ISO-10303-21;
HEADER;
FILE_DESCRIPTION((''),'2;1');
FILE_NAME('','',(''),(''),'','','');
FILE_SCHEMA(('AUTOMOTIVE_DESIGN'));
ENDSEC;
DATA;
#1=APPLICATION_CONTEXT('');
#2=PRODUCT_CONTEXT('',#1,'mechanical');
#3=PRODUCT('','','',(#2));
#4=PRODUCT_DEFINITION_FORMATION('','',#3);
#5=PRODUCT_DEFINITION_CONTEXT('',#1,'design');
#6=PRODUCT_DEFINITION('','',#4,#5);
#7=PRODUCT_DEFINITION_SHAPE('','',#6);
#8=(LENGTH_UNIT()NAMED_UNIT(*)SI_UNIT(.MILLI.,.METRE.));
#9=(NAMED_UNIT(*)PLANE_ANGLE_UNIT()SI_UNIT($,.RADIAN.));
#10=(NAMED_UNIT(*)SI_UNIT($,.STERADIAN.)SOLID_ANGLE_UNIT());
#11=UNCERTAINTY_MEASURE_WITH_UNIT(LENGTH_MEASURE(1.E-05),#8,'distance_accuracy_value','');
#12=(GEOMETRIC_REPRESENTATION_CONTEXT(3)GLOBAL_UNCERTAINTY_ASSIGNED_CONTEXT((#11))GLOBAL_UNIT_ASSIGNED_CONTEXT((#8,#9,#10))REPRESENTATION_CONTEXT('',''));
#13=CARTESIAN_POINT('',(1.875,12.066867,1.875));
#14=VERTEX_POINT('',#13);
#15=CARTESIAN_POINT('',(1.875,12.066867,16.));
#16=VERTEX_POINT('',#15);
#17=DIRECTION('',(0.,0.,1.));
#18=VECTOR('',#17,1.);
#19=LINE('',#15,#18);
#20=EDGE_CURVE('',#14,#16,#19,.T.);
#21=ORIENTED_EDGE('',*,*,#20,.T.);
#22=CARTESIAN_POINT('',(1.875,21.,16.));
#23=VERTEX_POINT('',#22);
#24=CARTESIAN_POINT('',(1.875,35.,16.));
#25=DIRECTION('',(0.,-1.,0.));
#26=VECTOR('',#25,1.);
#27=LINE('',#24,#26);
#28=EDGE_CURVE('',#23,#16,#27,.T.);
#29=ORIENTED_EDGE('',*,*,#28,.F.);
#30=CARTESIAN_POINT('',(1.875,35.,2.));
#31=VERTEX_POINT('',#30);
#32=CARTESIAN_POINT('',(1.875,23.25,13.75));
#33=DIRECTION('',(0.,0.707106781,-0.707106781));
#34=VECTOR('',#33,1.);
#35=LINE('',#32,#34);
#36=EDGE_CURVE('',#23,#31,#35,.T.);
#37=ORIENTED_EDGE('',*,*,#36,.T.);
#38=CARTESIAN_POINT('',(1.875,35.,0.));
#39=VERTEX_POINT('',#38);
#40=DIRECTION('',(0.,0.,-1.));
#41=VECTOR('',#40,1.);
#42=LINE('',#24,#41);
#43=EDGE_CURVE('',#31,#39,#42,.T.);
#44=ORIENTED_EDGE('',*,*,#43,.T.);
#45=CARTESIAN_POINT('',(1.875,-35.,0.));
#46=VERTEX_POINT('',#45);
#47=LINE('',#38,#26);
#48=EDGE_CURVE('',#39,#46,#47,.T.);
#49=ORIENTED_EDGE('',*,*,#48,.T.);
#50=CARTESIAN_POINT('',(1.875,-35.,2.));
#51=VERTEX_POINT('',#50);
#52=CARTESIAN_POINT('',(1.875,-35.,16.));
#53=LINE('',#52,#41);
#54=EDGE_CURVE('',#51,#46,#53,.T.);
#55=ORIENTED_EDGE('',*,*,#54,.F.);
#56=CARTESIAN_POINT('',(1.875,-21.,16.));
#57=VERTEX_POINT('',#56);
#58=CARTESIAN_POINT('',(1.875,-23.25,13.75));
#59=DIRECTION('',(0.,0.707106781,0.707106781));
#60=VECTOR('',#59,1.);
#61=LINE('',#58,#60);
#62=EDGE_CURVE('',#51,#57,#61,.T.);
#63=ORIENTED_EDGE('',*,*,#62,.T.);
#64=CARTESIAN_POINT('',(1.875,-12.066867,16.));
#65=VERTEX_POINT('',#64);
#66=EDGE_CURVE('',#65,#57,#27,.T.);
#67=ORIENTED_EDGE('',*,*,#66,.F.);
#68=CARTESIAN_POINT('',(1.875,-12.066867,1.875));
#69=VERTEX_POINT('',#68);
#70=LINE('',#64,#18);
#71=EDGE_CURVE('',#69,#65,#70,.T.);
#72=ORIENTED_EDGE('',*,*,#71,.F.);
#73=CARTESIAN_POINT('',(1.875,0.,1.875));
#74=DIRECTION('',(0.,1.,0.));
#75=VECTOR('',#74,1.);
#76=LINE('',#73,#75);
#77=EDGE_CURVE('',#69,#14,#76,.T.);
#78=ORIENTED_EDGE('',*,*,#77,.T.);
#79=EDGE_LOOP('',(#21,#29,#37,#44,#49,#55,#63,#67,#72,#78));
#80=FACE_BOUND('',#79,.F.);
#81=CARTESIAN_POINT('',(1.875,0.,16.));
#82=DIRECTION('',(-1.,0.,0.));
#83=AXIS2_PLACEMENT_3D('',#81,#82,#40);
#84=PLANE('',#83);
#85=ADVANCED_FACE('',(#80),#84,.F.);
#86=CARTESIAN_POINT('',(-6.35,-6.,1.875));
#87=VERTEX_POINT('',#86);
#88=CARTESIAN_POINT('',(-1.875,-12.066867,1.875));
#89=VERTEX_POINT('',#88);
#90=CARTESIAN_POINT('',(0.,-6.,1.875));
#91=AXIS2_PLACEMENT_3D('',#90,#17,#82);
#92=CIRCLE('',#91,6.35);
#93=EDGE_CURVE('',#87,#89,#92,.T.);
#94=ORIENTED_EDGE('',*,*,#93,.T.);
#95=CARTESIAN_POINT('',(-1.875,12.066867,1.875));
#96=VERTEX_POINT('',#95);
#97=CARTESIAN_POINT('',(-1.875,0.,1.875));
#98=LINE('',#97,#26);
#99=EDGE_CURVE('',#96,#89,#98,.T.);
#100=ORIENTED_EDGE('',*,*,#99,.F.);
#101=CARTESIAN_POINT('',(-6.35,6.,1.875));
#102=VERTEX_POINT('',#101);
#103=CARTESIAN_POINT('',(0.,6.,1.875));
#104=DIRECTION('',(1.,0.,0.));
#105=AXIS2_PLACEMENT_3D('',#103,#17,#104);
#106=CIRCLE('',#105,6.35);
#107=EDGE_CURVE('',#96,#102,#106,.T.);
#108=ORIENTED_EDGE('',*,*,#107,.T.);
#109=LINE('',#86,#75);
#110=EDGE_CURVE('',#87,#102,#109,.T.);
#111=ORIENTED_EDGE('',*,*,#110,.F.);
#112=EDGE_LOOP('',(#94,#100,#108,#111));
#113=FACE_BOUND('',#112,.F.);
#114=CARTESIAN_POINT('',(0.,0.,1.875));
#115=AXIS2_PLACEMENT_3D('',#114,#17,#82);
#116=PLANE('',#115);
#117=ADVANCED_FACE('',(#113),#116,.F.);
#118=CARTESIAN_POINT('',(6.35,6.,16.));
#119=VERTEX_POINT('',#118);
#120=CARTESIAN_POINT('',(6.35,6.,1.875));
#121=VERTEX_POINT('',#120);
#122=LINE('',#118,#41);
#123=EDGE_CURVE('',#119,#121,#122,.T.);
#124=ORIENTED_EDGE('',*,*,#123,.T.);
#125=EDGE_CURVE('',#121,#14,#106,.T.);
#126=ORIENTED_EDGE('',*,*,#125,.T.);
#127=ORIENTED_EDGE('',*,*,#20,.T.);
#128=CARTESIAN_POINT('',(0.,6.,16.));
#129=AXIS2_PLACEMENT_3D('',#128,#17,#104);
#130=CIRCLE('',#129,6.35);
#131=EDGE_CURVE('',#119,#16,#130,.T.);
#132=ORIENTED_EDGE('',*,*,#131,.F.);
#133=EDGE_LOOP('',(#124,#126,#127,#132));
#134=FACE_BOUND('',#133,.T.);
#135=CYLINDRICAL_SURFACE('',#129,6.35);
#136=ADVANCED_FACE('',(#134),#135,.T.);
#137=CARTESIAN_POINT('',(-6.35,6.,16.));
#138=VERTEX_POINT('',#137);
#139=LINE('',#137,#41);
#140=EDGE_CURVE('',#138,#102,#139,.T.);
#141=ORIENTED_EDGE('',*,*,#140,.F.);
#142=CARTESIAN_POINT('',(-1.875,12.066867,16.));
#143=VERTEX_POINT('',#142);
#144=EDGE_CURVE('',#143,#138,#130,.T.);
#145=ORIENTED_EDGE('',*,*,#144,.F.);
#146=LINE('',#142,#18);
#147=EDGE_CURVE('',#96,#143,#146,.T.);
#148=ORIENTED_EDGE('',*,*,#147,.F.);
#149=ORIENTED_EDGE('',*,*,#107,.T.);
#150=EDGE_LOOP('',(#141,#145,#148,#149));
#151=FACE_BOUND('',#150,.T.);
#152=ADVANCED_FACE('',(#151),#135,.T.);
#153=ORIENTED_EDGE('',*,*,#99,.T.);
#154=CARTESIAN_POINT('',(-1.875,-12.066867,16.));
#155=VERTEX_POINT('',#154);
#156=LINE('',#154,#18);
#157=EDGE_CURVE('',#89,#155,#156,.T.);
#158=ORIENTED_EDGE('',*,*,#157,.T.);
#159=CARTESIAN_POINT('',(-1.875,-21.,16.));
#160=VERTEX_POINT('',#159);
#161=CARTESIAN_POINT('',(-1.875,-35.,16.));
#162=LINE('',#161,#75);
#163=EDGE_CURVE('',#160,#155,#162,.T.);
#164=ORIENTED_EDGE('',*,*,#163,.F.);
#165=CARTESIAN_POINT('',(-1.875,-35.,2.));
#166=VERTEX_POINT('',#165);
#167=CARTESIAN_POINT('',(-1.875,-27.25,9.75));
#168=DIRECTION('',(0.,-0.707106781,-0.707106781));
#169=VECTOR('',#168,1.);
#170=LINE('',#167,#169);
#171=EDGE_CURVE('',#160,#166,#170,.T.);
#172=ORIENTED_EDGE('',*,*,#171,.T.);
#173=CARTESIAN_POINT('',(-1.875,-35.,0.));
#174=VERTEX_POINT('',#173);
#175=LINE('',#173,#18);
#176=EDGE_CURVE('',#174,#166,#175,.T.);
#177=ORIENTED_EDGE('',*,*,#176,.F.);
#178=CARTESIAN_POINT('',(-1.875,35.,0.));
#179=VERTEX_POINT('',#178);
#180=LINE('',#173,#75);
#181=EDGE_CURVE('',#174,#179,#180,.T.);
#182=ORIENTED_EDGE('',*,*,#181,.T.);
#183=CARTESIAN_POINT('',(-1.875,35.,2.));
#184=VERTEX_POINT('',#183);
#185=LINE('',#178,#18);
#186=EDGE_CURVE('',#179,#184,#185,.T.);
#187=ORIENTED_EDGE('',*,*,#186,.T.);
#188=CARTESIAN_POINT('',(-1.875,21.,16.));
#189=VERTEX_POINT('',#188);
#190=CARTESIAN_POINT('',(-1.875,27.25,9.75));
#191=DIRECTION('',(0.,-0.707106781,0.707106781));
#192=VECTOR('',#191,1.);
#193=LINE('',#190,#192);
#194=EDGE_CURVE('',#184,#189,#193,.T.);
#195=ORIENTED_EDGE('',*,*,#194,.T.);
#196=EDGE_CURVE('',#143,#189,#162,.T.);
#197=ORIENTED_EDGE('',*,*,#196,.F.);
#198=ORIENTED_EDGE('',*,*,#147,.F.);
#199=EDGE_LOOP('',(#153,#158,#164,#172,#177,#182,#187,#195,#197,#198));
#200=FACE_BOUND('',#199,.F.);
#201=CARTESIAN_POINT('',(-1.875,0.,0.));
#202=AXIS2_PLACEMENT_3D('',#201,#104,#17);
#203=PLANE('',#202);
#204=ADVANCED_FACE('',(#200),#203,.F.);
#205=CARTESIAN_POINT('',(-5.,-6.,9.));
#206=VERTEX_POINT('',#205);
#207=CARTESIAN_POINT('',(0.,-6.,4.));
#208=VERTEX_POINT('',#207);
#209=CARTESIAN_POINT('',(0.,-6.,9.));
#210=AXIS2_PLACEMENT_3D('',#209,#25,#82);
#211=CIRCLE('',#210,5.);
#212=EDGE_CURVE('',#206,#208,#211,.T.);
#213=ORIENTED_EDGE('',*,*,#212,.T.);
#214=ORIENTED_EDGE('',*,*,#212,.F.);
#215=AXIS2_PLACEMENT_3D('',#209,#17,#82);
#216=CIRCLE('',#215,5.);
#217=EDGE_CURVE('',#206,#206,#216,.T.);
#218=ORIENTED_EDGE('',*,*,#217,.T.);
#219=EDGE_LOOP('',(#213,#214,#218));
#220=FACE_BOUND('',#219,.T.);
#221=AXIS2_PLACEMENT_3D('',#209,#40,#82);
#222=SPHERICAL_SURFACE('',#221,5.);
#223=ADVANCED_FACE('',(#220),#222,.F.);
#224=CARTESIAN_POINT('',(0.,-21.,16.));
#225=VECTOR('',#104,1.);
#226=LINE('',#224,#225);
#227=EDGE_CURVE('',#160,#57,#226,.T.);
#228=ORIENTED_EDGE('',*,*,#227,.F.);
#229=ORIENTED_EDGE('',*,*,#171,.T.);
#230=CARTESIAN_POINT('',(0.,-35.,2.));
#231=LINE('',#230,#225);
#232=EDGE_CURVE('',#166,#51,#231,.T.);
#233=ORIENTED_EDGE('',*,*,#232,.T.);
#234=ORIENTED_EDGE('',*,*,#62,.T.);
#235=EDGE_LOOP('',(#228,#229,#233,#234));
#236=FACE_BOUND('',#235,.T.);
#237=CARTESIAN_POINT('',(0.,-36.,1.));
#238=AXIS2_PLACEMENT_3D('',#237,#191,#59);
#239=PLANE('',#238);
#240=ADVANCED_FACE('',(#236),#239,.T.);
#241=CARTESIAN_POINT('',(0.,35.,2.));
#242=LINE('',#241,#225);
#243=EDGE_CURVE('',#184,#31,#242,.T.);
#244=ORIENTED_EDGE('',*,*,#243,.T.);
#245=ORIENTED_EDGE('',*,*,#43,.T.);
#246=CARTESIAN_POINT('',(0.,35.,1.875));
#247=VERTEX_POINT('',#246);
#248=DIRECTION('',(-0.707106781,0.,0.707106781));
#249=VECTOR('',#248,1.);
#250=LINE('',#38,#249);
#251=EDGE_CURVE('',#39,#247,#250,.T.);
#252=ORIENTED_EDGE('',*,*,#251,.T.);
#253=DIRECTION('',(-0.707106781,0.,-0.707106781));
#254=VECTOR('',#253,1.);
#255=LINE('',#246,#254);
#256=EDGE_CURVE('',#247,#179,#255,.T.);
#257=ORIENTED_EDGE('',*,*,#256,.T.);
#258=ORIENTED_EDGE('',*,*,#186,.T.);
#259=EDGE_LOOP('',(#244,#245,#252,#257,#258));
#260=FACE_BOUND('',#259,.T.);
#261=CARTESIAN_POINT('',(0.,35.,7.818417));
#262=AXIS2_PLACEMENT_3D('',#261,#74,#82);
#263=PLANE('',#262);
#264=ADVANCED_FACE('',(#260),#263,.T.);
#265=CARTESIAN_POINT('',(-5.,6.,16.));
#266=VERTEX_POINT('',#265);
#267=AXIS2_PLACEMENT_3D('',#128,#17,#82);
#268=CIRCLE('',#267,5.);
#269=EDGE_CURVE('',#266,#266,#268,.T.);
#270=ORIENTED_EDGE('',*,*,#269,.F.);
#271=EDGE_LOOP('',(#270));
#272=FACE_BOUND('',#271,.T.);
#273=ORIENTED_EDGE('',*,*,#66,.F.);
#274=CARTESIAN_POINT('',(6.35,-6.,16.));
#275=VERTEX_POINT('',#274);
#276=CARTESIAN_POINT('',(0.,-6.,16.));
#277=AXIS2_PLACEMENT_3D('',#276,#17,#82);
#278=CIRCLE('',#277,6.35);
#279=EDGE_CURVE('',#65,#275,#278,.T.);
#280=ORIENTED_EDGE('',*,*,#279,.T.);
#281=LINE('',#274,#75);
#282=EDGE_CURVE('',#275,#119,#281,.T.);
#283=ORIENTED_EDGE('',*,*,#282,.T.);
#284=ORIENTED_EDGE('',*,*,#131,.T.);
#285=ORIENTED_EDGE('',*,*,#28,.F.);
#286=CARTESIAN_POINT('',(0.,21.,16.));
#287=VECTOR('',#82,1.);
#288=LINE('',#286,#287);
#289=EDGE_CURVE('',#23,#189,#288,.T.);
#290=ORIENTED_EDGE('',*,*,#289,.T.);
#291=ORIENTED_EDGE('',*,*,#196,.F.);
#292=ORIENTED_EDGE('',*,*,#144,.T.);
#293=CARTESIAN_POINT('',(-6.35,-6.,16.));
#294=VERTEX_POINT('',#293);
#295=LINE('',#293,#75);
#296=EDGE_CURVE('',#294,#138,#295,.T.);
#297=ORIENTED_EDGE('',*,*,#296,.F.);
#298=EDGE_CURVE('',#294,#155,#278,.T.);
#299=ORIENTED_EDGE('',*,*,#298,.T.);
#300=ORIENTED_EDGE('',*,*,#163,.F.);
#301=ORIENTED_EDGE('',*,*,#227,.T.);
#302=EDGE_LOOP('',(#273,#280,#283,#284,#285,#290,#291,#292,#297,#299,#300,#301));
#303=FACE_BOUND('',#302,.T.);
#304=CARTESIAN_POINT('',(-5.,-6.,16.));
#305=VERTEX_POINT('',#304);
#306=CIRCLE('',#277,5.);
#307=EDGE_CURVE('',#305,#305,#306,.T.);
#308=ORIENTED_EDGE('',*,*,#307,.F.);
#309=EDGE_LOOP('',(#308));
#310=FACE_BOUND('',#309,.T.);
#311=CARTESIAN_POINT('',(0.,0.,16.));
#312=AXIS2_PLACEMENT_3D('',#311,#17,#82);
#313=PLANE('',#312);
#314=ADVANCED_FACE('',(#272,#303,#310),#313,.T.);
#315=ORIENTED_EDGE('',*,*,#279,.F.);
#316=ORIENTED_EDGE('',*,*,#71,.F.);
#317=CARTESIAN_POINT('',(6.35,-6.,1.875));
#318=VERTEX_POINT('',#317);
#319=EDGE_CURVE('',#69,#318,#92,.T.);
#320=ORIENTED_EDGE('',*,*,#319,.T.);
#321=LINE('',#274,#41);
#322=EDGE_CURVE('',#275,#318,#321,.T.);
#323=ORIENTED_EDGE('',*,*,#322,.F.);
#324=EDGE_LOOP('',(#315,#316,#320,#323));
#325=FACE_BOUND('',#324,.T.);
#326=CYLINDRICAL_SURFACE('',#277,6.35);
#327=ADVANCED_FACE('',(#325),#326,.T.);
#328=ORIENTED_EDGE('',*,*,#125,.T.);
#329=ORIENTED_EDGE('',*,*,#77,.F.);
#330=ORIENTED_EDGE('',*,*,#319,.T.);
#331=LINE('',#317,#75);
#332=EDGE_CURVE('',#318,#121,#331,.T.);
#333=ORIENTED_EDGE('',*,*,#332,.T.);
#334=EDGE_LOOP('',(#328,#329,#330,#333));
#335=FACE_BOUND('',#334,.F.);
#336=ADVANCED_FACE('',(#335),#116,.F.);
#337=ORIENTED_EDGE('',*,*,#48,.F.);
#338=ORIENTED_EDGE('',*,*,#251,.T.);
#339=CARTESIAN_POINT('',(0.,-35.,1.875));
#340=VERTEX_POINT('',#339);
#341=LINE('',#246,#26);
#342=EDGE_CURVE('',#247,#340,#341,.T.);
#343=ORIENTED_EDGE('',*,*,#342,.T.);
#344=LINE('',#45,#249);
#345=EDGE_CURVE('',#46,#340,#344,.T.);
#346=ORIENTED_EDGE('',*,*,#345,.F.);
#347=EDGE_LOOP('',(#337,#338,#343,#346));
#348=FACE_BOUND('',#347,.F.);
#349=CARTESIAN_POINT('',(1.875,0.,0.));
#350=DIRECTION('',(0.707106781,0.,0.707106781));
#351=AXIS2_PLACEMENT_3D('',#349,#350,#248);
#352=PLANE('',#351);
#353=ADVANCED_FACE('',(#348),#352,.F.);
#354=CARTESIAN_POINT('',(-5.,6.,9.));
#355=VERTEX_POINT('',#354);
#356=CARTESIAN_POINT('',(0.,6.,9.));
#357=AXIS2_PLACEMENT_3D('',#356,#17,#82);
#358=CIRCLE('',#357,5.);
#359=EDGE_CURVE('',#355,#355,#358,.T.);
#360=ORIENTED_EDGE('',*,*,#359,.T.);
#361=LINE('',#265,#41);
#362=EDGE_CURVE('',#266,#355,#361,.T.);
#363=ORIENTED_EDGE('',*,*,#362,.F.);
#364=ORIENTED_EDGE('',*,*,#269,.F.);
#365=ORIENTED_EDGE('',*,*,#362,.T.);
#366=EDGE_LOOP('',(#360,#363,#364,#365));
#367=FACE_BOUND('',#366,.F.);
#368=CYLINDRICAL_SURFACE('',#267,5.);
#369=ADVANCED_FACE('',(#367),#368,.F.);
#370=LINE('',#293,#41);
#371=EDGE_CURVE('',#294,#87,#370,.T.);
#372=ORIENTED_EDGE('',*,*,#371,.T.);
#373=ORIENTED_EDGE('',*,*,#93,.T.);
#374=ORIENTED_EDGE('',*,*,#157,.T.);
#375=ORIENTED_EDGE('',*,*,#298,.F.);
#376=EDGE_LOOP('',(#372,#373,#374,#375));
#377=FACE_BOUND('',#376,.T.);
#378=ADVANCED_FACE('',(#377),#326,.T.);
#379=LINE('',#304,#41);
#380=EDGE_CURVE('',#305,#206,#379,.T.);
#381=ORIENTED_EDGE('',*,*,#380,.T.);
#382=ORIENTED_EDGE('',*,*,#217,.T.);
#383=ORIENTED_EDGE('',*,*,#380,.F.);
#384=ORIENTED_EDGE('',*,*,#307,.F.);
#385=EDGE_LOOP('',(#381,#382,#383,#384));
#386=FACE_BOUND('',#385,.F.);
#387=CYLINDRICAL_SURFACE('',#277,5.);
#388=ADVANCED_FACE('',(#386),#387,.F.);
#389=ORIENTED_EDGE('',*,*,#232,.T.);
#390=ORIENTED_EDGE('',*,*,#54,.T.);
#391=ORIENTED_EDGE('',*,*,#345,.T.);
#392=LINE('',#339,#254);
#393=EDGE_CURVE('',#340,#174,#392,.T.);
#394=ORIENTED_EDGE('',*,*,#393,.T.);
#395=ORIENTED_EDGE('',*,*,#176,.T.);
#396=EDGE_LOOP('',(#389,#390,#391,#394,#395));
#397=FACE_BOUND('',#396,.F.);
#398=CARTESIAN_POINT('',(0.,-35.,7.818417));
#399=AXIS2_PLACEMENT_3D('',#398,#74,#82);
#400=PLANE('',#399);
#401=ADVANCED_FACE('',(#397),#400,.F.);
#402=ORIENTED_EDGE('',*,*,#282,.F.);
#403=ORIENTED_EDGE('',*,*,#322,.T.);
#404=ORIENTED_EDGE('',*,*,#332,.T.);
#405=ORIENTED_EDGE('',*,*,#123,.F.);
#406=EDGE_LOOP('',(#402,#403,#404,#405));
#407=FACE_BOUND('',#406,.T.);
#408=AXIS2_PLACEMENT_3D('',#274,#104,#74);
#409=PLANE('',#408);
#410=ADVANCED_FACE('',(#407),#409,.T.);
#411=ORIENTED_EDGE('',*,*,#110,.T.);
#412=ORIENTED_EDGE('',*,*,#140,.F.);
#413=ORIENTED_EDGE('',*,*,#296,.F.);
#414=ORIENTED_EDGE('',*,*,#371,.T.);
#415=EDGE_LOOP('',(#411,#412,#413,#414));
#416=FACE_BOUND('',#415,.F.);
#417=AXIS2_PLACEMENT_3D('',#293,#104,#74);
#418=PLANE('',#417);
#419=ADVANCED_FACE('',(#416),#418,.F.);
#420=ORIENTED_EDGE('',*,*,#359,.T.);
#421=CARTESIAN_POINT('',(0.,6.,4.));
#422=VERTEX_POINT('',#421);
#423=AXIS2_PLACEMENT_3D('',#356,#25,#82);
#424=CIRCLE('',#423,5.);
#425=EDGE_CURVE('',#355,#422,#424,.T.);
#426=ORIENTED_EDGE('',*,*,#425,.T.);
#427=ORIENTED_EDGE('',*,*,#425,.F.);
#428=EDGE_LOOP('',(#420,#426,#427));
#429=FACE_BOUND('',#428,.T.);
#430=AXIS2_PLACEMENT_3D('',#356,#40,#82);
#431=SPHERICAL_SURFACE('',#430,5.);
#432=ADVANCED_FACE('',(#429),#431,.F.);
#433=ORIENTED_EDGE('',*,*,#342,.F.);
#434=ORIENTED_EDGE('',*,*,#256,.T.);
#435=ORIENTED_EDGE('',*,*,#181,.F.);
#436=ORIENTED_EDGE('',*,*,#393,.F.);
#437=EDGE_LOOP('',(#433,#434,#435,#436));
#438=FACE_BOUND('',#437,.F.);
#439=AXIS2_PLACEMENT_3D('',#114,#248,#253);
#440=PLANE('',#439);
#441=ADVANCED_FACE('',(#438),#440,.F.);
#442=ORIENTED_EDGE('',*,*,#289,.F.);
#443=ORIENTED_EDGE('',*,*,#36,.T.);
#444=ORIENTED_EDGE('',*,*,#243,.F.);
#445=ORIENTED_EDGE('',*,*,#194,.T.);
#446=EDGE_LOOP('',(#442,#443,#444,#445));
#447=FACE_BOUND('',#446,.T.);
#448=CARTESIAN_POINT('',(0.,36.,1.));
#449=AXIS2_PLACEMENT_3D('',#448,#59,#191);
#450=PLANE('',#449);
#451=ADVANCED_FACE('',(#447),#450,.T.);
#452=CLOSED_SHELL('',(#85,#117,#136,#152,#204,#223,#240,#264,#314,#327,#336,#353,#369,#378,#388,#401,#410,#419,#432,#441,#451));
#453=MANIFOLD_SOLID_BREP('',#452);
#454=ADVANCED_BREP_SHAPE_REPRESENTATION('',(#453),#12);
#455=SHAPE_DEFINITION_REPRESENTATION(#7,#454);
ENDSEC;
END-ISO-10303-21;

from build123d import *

# Parameters (mm, degrees)
PAD_DEPTH       = 35
PAD001_DEPTH    = 14.125
SKETCH006_R     = 5
POCKET_DEPTH    = 12
POCKET001_DEPTH = 2.5
FILLET_R        = 5


with BuildPart() as part:
    # Sketch → Pad (new body, symmetric)
    with BuildSketch(Plane.XZ):
        Polygon((0, 1.875), (-1.875, 0), (-1.875, 16), (1.875, 16), (1.875, 0), align=None)
    extrude(amount=PAD_DEPTH, both=True)

    # Sketch001 (on Face3 of Pad) → Pad001 (join)
    with BuildSketch(Plane(origin=(0, 0, 16), x_dir=(-1, 0, 0), z_dir=(0, 0, 1))):
        with BuildLine():
            ThreePointArc((6.35, 6), (0, 12.35), (-6.35, 6))
            Line((-6.35, 6), (-6.35, -6))
            ThreePointArc((-6.35, -6), (0, -12.35), (6.35, -6))
            Line((6.35, 6), (6.35, -6))
        make_face()
    extrude(amount=-PAD001_DEPTH)

    # Sketch006 (on Face15 of Pad001) → Pocket (cut)
    with BuildSketch(Plane(origin=(0, 0, 16), x_dir=(-1, 0, 0), z_dir=(0, 0, 1))):
        with Locations((0, 6)):
            Circle(SKETCH006_R)
        with Locations((0, -6)):
            Circle(SKETCH006_R)
    extrude(amount=-POCKET_DEPTH, mode=Mode.SUBTRACT)

    # Sketch005 → Pocket001 (cut, symmetric)
    with BuildSketch(Plane.YZ):
        Polygon((-36, 25), (-36, 1), (-12, 25), align=None)
        Polygon((12, 25), (36, 25), (36, 1), align=None)
    extrude(amount=POCKET001_DEPTH, both=True, mode=Mode.SUBTRACT)

    # Fillet
    fillet_edges = [part.edges().sort_by_distance(p)[0] for p in [
        (5, -6, 4),
        (5, 6, 4),
    ]]
    fillet(fillet_edges, radius=FILLET_R)


solid = part.part
